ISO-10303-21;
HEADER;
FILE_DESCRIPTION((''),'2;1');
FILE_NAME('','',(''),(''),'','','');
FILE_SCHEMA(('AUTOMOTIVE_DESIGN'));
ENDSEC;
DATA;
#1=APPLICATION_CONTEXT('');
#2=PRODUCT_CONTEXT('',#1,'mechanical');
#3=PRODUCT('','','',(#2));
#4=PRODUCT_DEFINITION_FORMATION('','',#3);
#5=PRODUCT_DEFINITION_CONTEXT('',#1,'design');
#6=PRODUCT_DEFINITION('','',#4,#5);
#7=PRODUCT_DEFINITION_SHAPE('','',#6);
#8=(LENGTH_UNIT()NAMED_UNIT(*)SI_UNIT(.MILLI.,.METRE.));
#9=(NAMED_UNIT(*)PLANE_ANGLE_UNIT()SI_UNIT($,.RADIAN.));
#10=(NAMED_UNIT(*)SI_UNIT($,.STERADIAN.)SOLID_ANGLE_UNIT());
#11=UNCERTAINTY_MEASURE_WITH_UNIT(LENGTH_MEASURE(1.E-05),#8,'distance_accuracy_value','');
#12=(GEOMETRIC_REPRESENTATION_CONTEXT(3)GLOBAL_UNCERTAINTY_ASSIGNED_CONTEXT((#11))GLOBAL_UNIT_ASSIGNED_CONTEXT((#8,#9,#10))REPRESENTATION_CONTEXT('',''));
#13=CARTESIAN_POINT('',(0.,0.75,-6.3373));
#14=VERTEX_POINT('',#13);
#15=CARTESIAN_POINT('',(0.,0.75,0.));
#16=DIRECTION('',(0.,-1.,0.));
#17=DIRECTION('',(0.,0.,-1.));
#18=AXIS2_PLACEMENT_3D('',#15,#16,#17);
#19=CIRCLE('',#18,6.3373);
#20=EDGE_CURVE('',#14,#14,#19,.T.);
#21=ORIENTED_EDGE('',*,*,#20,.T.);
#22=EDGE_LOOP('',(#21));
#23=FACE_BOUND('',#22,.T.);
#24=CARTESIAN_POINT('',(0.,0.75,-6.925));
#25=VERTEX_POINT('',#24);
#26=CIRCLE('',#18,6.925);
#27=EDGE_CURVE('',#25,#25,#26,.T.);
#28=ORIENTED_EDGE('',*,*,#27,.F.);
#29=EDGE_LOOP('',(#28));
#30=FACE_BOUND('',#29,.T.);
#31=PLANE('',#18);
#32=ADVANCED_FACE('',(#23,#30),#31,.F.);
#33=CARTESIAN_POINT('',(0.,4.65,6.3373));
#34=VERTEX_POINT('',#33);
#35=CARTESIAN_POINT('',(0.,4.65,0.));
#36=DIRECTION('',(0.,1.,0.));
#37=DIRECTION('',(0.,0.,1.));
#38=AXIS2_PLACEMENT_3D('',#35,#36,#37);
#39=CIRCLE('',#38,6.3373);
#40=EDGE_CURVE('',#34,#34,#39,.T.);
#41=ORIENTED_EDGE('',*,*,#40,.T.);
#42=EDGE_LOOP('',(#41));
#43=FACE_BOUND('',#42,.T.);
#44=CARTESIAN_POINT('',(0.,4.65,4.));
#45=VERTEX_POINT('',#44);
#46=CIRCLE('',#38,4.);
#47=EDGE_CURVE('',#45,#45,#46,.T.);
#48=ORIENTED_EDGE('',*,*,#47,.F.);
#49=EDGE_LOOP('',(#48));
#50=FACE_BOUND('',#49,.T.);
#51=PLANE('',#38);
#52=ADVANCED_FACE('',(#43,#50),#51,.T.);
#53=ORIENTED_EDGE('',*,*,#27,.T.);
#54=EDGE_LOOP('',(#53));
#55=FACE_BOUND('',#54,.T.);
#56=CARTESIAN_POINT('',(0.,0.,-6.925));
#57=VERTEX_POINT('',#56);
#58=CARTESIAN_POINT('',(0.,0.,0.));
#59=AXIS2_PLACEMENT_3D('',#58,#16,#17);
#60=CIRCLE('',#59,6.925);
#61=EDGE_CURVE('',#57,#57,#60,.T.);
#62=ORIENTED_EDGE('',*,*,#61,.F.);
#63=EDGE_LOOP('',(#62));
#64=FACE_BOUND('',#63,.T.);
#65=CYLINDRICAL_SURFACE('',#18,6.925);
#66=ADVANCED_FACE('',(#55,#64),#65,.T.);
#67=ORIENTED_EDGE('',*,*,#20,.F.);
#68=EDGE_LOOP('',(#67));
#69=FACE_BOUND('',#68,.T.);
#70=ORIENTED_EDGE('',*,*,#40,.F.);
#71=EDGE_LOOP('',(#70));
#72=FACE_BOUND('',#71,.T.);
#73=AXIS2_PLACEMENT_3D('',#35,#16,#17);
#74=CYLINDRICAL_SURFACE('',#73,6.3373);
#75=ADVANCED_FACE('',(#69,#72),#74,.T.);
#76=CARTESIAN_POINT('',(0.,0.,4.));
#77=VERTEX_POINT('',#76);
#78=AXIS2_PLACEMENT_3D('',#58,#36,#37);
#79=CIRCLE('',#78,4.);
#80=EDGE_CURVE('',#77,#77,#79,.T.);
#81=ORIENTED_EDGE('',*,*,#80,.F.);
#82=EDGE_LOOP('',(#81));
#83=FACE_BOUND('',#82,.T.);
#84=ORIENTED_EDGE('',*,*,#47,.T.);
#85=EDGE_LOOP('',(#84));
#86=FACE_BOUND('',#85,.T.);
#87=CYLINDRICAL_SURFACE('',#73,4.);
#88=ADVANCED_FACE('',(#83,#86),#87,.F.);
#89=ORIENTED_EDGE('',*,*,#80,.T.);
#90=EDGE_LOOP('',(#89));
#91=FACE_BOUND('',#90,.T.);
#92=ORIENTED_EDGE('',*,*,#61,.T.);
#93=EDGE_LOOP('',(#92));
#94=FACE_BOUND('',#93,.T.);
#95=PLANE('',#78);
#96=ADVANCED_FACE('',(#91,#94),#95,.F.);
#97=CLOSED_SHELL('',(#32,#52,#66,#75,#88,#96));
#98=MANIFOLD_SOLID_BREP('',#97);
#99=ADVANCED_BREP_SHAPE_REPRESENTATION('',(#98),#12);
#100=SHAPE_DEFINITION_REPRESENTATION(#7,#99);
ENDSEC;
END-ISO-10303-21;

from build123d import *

# Parameters (mm, degrees)
SKETCH1_R           = 6.3373
SKETCH1_R_2         = 4
BOSS_EXTRUDE1_DEPTH = 4.65
SKETCH2_R           = 6.925
SKETCH2_R_2         = 4
BOSS_EXTRUDE2_DEPTH = 0.75


with BuildPart() as part:
    # Sketch1 → Boss-Extrude1 (new body)
    with BuildSketch(Plane(origin=(0, 0, 0), x_dir=(1, 0, 0), z_dir=(0, 1, 0))):
        with Locations(Location((0, 0, 0), (0, 0, 270))):
            Circle(SKETCH1_R)
        with Locations(Location((0, 0, 0), (0, 0, 270))):
            Circle(SKETCH1_R_2, mode=Mode.SUBTRACT)
    extrude(amount=BOSS_EXTRUDE1_DEPTH)

    # Sketch2 → Boss-Extrude2 (add)
    with BuildSketch(Plane.XZ):
        with Locations(Location((0, 0, 0), (0, 0, 270))):
            Circle(SKETCH2_R)
        with Locations(Location((0, 0, 0), (0, 0, 90))):
            Circle(SKETCH2_R_2, mode=Mode.SUBTRACT)
    extrude(amount=-BOSS_EXTRUDE2_DEPTH)


solid = part.part
